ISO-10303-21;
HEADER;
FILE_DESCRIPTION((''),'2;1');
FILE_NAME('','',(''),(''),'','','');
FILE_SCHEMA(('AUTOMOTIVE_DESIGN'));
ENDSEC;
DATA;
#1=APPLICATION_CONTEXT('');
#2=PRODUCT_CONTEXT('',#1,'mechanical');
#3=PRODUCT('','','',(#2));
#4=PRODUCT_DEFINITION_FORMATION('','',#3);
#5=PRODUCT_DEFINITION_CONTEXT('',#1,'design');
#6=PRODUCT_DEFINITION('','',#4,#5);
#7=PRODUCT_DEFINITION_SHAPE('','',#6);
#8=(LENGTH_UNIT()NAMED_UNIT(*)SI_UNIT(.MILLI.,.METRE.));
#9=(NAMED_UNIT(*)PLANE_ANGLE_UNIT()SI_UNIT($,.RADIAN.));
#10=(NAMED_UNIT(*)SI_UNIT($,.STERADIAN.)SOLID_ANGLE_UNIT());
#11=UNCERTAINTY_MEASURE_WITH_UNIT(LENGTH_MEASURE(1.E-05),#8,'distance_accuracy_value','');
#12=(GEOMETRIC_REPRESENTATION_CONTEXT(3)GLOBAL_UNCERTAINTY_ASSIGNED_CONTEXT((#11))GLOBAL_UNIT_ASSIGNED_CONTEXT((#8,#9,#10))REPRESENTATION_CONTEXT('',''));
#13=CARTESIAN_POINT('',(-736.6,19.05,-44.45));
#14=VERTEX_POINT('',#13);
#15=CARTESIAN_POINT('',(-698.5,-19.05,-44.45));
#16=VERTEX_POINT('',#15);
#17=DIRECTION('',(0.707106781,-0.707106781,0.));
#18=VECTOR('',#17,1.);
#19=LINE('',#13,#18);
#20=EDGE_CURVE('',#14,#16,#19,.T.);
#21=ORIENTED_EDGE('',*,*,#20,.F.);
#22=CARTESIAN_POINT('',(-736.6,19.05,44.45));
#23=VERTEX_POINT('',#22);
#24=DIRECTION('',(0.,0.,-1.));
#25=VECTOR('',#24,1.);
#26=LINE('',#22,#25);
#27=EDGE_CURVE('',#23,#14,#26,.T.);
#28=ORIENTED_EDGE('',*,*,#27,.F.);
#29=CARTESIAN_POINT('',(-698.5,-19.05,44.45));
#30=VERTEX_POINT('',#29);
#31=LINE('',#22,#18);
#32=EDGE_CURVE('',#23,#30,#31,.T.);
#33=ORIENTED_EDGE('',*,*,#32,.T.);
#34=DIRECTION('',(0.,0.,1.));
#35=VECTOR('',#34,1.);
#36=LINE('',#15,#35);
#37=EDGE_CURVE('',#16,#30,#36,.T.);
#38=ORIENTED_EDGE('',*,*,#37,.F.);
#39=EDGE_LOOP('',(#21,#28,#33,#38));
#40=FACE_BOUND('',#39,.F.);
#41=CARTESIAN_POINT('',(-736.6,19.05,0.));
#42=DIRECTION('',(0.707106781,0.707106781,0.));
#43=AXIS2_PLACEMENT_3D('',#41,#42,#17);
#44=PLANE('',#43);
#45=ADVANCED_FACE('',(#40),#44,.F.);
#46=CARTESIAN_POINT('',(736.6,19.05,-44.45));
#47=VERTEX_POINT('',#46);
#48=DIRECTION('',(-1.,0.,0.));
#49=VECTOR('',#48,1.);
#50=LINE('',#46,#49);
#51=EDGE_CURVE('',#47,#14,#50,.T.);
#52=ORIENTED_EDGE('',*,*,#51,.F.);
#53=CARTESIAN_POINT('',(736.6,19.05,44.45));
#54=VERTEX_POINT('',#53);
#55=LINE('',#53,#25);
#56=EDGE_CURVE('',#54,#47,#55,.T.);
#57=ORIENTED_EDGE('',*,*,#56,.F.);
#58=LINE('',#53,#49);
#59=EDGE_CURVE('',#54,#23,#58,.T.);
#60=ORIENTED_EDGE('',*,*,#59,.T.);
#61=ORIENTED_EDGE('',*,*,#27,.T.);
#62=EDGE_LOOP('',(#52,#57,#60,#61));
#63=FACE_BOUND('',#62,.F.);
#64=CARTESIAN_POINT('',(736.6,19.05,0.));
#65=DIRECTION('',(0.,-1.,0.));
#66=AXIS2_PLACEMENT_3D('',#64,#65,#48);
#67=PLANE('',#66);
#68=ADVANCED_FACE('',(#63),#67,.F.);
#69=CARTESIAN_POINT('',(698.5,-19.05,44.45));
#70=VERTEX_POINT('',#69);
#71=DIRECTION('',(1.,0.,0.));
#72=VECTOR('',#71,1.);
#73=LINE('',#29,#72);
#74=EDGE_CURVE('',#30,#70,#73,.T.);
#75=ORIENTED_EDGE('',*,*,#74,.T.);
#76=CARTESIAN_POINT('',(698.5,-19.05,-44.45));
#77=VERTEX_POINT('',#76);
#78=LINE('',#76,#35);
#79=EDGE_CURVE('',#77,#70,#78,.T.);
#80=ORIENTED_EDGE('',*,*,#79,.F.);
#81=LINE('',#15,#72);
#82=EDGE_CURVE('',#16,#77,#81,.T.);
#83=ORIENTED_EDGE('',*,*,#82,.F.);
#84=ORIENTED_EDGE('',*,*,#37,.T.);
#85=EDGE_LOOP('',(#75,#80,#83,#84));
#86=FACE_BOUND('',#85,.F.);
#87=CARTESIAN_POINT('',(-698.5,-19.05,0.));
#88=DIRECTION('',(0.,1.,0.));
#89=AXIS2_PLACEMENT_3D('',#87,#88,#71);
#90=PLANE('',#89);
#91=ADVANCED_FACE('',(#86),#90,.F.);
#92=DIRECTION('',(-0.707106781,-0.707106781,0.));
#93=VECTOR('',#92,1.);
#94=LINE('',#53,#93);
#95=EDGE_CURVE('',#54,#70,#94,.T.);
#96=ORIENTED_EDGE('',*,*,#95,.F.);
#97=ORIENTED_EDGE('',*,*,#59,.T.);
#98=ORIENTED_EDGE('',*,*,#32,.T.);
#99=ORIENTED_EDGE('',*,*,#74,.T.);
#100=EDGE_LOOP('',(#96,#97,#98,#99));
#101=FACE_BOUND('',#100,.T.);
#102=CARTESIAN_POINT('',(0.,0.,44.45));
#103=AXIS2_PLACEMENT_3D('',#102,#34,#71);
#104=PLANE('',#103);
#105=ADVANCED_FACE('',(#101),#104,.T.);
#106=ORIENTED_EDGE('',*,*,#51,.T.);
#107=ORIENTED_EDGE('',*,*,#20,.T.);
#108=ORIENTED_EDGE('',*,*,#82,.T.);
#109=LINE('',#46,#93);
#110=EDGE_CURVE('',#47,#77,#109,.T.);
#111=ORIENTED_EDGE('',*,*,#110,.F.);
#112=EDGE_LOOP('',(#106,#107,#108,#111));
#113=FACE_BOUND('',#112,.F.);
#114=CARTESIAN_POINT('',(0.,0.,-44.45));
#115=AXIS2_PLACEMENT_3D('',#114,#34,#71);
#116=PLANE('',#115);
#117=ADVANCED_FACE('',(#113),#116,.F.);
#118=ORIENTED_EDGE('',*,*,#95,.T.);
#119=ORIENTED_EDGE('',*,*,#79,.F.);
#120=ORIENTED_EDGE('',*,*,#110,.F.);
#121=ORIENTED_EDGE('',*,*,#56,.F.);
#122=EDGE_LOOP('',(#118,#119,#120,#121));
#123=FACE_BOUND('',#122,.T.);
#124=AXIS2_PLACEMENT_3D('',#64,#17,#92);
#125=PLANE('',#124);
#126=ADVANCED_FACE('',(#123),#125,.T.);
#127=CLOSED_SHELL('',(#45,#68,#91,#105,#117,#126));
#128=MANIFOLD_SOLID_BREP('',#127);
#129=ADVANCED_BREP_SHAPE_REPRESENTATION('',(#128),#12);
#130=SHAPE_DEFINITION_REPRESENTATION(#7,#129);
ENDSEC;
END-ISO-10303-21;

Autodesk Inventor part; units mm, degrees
ref_plane "YZ Plane" through (0, 0, 0) normal (1, 0, 0) x (0, 1, 0)
ref_plane "XZ Plane" through (0, 0, 0) normal (0, 1, 0) x (-1, 0, 0)
ref_plane "XY Plane" through (0, 0, 0) normal (0, 0, 1) x (1, 0, 0)
sketch "Sketch2" plane through (0, 0, 0) normal (0, 0, 1) x (1, 0, 0)
  line L0 (-698.5, -19.05) -> (698.5, -19.05)
  line L1 (736.6, 19.05) -> (-736.6, 19.05)
  line L2 (-736.6, -19.05) -> (736.6, 19.05) construction
  line L3 (736.6, -19.05) -> (-736.6, 19.05) construction
  line L4 (-736.6, 19.05) -> (-698.5, -19.05)
  line L5 (-736.6, 19.05) -> (-682.7185, 19.05) construction
  line L6 (736.6, 19.05) -> (698.5, -19.05)
  line L7 (736.6, 19.05) -> (790.4815, 19.05) construction
  point P0 (0, 0)
  dimension "d10" = 45
  dimension "d11" = 135
  dimension "d14" = 1473.2
  dimension "d15" = 38.1
extrude "Extrusion2" add sketch "Sketch2" along normal mid plane 88.9
properties part number "58 Inch 45 Diagonal Piece" material "Wood (Birch)"
